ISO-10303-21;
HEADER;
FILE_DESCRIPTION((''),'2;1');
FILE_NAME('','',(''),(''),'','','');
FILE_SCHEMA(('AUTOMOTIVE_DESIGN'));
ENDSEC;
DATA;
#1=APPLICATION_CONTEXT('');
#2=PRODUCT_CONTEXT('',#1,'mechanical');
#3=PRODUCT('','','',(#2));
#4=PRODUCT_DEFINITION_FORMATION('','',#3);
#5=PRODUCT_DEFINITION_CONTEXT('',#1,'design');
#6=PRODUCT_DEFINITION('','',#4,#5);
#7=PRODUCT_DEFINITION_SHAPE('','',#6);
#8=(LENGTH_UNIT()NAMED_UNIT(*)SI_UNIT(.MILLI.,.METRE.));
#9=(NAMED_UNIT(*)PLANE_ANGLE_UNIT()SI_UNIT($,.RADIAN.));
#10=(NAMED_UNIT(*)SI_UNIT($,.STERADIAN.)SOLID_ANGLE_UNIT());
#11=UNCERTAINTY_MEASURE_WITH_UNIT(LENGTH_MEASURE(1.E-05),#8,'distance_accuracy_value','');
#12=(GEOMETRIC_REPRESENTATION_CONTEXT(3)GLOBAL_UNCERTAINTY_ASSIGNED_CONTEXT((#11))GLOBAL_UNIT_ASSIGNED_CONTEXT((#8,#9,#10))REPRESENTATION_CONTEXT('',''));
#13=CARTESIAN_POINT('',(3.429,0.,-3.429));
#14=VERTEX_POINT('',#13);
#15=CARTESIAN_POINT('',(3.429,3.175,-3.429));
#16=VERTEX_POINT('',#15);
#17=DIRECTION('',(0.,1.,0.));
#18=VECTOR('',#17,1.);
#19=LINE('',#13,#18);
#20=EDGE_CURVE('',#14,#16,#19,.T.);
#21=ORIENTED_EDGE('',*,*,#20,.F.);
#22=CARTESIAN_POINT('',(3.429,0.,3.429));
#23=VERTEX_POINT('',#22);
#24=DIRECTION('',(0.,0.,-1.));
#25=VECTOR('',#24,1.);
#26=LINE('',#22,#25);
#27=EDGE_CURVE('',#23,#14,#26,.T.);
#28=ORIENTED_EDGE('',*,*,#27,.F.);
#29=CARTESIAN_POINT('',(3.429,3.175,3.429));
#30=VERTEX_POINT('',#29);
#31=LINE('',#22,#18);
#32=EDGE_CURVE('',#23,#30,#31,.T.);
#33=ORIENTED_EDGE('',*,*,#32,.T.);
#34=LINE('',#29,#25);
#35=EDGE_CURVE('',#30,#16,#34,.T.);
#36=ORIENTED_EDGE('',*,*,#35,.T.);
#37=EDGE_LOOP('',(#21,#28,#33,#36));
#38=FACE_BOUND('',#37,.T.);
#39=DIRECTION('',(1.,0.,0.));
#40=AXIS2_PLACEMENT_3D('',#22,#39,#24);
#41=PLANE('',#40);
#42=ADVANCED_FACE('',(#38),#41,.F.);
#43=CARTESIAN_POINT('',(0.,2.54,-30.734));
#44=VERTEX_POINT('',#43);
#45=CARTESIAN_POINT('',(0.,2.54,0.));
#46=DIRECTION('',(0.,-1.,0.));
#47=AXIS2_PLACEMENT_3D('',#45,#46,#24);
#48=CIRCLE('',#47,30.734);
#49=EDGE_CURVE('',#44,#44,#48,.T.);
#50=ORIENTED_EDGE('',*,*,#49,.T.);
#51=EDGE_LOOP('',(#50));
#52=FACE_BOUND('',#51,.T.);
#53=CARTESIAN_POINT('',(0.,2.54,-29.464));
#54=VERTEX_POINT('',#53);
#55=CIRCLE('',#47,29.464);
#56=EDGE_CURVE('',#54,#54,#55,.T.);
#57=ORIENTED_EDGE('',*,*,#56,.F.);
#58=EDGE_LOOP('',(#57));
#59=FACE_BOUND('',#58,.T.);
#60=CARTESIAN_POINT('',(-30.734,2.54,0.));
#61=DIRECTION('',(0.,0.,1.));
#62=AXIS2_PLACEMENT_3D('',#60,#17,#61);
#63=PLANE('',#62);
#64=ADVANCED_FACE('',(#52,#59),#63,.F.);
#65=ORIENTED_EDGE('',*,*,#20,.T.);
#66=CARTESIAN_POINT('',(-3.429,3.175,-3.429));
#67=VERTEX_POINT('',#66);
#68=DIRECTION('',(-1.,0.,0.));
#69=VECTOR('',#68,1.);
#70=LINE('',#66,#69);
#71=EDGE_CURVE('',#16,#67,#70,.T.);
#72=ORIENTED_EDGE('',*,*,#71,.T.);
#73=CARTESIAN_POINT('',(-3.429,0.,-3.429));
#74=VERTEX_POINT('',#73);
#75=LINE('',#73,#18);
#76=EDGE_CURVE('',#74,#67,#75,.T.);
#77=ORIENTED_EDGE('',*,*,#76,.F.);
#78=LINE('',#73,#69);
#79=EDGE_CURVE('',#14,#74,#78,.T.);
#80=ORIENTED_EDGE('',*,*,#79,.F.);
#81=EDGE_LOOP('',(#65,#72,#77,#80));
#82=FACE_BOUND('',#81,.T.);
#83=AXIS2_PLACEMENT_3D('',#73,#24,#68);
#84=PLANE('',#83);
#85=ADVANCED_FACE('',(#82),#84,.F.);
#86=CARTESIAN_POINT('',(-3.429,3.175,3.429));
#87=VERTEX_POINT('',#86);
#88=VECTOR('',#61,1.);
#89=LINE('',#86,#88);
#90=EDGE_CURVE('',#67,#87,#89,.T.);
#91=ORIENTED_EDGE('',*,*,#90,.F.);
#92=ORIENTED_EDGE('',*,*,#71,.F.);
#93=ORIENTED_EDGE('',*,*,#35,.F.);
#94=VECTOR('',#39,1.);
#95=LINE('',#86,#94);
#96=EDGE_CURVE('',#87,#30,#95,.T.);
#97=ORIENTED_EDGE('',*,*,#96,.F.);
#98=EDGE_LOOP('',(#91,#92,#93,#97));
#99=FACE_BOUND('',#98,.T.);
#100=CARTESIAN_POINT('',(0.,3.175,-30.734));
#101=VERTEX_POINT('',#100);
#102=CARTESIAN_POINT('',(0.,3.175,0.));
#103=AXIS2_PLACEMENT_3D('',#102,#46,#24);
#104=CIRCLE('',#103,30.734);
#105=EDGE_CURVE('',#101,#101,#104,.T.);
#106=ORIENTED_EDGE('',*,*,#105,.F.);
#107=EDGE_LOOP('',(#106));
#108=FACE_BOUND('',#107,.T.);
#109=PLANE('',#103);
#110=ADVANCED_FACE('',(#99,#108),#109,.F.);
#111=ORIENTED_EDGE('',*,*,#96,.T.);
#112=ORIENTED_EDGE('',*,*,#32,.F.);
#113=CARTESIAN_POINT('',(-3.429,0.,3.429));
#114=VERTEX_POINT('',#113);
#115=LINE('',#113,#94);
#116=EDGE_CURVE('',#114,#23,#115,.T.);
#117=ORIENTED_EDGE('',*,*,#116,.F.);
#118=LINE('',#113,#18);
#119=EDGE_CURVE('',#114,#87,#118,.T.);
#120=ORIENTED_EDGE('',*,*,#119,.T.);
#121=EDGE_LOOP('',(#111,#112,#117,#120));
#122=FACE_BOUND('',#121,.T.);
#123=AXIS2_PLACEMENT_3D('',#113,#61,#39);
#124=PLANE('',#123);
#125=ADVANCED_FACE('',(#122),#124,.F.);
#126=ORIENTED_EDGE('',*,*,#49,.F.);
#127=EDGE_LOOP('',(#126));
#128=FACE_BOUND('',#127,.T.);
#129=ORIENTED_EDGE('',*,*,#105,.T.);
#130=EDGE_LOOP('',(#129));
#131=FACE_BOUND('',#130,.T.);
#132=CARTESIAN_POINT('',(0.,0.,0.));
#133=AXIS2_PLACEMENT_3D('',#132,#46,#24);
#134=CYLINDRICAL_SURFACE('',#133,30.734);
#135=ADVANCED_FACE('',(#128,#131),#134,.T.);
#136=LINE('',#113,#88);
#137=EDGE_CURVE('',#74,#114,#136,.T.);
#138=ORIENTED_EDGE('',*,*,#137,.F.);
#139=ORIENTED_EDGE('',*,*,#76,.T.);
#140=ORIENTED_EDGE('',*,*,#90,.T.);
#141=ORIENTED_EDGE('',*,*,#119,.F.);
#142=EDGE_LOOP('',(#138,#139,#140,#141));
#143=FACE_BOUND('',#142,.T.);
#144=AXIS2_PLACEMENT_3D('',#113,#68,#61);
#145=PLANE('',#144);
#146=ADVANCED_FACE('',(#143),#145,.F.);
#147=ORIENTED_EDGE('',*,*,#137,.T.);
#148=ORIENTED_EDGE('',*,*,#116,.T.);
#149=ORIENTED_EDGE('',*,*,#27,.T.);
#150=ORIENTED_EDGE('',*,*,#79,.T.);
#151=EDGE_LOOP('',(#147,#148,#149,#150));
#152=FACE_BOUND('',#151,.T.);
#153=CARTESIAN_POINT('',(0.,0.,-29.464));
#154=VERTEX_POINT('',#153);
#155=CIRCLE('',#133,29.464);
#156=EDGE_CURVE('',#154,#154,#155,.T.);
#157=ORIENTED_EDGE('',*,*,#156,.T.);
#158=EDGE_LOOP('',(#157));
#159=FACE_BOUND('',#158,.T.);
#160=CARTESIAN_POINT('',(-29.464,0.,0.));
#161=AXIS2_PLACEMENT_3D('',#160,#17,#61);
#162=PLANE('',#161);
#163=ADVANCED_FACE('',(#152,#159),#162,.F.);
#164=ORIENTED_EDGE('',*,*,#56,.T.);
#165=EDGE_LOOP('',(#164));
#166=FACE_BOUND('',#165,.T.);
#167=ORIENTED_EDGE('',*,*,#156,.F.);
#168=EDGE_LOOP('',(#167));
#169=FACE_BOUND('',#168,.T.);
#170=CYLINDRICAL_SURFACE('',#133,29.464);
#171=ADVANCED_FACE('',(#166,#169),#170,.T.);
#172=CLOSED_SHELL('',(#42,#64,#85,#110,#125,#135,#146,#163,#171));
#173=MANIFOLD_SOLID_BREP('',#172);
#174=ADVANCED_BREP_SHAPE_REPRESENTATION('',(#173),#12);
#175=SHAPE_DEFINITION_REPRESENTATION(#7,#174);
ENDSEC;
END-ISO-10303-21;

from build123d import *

# Parameters (mm, degrees)
SKETCH2_W          = 6.858
SKETCH2_H          = 6.858
CUT_EXTRUDE1_DEPTH = 44.580249391


with BuildPart() as part:
    # Sketch1 → Revolve1 (revolve)
    with BuildSketch(Plane.XY, mode=Mode.PRIVATE) as revolve1_sk:
        Polygon((0, 3.175), (-30.734, 3.175), (-30.734, 2.54), (-29.464, 2.54), (-29.464, 0), (0, 0), align=None)
    revolve(revolve1_sk.sketch.rotate(Axis((0, 0, 0), (0, 1, 0)), 270), axis=Axis((0, 0, 0), (0, 1, 0)))

    # Sketch2 → Cut-Extrude1 (cut, through all)
    with BuildSketch(Plane(origin=(0, 3.175, 0), x_dir=(1, 0, 0), z_dir=(0, 1, 0))):
        Rectangle(SKETCH2_W, SKETCH2_H)
    extrude(amount=-CUT_EXTRUDE1_DEPTH, mode=Mode.SUBTRACT)


solid = part.part
